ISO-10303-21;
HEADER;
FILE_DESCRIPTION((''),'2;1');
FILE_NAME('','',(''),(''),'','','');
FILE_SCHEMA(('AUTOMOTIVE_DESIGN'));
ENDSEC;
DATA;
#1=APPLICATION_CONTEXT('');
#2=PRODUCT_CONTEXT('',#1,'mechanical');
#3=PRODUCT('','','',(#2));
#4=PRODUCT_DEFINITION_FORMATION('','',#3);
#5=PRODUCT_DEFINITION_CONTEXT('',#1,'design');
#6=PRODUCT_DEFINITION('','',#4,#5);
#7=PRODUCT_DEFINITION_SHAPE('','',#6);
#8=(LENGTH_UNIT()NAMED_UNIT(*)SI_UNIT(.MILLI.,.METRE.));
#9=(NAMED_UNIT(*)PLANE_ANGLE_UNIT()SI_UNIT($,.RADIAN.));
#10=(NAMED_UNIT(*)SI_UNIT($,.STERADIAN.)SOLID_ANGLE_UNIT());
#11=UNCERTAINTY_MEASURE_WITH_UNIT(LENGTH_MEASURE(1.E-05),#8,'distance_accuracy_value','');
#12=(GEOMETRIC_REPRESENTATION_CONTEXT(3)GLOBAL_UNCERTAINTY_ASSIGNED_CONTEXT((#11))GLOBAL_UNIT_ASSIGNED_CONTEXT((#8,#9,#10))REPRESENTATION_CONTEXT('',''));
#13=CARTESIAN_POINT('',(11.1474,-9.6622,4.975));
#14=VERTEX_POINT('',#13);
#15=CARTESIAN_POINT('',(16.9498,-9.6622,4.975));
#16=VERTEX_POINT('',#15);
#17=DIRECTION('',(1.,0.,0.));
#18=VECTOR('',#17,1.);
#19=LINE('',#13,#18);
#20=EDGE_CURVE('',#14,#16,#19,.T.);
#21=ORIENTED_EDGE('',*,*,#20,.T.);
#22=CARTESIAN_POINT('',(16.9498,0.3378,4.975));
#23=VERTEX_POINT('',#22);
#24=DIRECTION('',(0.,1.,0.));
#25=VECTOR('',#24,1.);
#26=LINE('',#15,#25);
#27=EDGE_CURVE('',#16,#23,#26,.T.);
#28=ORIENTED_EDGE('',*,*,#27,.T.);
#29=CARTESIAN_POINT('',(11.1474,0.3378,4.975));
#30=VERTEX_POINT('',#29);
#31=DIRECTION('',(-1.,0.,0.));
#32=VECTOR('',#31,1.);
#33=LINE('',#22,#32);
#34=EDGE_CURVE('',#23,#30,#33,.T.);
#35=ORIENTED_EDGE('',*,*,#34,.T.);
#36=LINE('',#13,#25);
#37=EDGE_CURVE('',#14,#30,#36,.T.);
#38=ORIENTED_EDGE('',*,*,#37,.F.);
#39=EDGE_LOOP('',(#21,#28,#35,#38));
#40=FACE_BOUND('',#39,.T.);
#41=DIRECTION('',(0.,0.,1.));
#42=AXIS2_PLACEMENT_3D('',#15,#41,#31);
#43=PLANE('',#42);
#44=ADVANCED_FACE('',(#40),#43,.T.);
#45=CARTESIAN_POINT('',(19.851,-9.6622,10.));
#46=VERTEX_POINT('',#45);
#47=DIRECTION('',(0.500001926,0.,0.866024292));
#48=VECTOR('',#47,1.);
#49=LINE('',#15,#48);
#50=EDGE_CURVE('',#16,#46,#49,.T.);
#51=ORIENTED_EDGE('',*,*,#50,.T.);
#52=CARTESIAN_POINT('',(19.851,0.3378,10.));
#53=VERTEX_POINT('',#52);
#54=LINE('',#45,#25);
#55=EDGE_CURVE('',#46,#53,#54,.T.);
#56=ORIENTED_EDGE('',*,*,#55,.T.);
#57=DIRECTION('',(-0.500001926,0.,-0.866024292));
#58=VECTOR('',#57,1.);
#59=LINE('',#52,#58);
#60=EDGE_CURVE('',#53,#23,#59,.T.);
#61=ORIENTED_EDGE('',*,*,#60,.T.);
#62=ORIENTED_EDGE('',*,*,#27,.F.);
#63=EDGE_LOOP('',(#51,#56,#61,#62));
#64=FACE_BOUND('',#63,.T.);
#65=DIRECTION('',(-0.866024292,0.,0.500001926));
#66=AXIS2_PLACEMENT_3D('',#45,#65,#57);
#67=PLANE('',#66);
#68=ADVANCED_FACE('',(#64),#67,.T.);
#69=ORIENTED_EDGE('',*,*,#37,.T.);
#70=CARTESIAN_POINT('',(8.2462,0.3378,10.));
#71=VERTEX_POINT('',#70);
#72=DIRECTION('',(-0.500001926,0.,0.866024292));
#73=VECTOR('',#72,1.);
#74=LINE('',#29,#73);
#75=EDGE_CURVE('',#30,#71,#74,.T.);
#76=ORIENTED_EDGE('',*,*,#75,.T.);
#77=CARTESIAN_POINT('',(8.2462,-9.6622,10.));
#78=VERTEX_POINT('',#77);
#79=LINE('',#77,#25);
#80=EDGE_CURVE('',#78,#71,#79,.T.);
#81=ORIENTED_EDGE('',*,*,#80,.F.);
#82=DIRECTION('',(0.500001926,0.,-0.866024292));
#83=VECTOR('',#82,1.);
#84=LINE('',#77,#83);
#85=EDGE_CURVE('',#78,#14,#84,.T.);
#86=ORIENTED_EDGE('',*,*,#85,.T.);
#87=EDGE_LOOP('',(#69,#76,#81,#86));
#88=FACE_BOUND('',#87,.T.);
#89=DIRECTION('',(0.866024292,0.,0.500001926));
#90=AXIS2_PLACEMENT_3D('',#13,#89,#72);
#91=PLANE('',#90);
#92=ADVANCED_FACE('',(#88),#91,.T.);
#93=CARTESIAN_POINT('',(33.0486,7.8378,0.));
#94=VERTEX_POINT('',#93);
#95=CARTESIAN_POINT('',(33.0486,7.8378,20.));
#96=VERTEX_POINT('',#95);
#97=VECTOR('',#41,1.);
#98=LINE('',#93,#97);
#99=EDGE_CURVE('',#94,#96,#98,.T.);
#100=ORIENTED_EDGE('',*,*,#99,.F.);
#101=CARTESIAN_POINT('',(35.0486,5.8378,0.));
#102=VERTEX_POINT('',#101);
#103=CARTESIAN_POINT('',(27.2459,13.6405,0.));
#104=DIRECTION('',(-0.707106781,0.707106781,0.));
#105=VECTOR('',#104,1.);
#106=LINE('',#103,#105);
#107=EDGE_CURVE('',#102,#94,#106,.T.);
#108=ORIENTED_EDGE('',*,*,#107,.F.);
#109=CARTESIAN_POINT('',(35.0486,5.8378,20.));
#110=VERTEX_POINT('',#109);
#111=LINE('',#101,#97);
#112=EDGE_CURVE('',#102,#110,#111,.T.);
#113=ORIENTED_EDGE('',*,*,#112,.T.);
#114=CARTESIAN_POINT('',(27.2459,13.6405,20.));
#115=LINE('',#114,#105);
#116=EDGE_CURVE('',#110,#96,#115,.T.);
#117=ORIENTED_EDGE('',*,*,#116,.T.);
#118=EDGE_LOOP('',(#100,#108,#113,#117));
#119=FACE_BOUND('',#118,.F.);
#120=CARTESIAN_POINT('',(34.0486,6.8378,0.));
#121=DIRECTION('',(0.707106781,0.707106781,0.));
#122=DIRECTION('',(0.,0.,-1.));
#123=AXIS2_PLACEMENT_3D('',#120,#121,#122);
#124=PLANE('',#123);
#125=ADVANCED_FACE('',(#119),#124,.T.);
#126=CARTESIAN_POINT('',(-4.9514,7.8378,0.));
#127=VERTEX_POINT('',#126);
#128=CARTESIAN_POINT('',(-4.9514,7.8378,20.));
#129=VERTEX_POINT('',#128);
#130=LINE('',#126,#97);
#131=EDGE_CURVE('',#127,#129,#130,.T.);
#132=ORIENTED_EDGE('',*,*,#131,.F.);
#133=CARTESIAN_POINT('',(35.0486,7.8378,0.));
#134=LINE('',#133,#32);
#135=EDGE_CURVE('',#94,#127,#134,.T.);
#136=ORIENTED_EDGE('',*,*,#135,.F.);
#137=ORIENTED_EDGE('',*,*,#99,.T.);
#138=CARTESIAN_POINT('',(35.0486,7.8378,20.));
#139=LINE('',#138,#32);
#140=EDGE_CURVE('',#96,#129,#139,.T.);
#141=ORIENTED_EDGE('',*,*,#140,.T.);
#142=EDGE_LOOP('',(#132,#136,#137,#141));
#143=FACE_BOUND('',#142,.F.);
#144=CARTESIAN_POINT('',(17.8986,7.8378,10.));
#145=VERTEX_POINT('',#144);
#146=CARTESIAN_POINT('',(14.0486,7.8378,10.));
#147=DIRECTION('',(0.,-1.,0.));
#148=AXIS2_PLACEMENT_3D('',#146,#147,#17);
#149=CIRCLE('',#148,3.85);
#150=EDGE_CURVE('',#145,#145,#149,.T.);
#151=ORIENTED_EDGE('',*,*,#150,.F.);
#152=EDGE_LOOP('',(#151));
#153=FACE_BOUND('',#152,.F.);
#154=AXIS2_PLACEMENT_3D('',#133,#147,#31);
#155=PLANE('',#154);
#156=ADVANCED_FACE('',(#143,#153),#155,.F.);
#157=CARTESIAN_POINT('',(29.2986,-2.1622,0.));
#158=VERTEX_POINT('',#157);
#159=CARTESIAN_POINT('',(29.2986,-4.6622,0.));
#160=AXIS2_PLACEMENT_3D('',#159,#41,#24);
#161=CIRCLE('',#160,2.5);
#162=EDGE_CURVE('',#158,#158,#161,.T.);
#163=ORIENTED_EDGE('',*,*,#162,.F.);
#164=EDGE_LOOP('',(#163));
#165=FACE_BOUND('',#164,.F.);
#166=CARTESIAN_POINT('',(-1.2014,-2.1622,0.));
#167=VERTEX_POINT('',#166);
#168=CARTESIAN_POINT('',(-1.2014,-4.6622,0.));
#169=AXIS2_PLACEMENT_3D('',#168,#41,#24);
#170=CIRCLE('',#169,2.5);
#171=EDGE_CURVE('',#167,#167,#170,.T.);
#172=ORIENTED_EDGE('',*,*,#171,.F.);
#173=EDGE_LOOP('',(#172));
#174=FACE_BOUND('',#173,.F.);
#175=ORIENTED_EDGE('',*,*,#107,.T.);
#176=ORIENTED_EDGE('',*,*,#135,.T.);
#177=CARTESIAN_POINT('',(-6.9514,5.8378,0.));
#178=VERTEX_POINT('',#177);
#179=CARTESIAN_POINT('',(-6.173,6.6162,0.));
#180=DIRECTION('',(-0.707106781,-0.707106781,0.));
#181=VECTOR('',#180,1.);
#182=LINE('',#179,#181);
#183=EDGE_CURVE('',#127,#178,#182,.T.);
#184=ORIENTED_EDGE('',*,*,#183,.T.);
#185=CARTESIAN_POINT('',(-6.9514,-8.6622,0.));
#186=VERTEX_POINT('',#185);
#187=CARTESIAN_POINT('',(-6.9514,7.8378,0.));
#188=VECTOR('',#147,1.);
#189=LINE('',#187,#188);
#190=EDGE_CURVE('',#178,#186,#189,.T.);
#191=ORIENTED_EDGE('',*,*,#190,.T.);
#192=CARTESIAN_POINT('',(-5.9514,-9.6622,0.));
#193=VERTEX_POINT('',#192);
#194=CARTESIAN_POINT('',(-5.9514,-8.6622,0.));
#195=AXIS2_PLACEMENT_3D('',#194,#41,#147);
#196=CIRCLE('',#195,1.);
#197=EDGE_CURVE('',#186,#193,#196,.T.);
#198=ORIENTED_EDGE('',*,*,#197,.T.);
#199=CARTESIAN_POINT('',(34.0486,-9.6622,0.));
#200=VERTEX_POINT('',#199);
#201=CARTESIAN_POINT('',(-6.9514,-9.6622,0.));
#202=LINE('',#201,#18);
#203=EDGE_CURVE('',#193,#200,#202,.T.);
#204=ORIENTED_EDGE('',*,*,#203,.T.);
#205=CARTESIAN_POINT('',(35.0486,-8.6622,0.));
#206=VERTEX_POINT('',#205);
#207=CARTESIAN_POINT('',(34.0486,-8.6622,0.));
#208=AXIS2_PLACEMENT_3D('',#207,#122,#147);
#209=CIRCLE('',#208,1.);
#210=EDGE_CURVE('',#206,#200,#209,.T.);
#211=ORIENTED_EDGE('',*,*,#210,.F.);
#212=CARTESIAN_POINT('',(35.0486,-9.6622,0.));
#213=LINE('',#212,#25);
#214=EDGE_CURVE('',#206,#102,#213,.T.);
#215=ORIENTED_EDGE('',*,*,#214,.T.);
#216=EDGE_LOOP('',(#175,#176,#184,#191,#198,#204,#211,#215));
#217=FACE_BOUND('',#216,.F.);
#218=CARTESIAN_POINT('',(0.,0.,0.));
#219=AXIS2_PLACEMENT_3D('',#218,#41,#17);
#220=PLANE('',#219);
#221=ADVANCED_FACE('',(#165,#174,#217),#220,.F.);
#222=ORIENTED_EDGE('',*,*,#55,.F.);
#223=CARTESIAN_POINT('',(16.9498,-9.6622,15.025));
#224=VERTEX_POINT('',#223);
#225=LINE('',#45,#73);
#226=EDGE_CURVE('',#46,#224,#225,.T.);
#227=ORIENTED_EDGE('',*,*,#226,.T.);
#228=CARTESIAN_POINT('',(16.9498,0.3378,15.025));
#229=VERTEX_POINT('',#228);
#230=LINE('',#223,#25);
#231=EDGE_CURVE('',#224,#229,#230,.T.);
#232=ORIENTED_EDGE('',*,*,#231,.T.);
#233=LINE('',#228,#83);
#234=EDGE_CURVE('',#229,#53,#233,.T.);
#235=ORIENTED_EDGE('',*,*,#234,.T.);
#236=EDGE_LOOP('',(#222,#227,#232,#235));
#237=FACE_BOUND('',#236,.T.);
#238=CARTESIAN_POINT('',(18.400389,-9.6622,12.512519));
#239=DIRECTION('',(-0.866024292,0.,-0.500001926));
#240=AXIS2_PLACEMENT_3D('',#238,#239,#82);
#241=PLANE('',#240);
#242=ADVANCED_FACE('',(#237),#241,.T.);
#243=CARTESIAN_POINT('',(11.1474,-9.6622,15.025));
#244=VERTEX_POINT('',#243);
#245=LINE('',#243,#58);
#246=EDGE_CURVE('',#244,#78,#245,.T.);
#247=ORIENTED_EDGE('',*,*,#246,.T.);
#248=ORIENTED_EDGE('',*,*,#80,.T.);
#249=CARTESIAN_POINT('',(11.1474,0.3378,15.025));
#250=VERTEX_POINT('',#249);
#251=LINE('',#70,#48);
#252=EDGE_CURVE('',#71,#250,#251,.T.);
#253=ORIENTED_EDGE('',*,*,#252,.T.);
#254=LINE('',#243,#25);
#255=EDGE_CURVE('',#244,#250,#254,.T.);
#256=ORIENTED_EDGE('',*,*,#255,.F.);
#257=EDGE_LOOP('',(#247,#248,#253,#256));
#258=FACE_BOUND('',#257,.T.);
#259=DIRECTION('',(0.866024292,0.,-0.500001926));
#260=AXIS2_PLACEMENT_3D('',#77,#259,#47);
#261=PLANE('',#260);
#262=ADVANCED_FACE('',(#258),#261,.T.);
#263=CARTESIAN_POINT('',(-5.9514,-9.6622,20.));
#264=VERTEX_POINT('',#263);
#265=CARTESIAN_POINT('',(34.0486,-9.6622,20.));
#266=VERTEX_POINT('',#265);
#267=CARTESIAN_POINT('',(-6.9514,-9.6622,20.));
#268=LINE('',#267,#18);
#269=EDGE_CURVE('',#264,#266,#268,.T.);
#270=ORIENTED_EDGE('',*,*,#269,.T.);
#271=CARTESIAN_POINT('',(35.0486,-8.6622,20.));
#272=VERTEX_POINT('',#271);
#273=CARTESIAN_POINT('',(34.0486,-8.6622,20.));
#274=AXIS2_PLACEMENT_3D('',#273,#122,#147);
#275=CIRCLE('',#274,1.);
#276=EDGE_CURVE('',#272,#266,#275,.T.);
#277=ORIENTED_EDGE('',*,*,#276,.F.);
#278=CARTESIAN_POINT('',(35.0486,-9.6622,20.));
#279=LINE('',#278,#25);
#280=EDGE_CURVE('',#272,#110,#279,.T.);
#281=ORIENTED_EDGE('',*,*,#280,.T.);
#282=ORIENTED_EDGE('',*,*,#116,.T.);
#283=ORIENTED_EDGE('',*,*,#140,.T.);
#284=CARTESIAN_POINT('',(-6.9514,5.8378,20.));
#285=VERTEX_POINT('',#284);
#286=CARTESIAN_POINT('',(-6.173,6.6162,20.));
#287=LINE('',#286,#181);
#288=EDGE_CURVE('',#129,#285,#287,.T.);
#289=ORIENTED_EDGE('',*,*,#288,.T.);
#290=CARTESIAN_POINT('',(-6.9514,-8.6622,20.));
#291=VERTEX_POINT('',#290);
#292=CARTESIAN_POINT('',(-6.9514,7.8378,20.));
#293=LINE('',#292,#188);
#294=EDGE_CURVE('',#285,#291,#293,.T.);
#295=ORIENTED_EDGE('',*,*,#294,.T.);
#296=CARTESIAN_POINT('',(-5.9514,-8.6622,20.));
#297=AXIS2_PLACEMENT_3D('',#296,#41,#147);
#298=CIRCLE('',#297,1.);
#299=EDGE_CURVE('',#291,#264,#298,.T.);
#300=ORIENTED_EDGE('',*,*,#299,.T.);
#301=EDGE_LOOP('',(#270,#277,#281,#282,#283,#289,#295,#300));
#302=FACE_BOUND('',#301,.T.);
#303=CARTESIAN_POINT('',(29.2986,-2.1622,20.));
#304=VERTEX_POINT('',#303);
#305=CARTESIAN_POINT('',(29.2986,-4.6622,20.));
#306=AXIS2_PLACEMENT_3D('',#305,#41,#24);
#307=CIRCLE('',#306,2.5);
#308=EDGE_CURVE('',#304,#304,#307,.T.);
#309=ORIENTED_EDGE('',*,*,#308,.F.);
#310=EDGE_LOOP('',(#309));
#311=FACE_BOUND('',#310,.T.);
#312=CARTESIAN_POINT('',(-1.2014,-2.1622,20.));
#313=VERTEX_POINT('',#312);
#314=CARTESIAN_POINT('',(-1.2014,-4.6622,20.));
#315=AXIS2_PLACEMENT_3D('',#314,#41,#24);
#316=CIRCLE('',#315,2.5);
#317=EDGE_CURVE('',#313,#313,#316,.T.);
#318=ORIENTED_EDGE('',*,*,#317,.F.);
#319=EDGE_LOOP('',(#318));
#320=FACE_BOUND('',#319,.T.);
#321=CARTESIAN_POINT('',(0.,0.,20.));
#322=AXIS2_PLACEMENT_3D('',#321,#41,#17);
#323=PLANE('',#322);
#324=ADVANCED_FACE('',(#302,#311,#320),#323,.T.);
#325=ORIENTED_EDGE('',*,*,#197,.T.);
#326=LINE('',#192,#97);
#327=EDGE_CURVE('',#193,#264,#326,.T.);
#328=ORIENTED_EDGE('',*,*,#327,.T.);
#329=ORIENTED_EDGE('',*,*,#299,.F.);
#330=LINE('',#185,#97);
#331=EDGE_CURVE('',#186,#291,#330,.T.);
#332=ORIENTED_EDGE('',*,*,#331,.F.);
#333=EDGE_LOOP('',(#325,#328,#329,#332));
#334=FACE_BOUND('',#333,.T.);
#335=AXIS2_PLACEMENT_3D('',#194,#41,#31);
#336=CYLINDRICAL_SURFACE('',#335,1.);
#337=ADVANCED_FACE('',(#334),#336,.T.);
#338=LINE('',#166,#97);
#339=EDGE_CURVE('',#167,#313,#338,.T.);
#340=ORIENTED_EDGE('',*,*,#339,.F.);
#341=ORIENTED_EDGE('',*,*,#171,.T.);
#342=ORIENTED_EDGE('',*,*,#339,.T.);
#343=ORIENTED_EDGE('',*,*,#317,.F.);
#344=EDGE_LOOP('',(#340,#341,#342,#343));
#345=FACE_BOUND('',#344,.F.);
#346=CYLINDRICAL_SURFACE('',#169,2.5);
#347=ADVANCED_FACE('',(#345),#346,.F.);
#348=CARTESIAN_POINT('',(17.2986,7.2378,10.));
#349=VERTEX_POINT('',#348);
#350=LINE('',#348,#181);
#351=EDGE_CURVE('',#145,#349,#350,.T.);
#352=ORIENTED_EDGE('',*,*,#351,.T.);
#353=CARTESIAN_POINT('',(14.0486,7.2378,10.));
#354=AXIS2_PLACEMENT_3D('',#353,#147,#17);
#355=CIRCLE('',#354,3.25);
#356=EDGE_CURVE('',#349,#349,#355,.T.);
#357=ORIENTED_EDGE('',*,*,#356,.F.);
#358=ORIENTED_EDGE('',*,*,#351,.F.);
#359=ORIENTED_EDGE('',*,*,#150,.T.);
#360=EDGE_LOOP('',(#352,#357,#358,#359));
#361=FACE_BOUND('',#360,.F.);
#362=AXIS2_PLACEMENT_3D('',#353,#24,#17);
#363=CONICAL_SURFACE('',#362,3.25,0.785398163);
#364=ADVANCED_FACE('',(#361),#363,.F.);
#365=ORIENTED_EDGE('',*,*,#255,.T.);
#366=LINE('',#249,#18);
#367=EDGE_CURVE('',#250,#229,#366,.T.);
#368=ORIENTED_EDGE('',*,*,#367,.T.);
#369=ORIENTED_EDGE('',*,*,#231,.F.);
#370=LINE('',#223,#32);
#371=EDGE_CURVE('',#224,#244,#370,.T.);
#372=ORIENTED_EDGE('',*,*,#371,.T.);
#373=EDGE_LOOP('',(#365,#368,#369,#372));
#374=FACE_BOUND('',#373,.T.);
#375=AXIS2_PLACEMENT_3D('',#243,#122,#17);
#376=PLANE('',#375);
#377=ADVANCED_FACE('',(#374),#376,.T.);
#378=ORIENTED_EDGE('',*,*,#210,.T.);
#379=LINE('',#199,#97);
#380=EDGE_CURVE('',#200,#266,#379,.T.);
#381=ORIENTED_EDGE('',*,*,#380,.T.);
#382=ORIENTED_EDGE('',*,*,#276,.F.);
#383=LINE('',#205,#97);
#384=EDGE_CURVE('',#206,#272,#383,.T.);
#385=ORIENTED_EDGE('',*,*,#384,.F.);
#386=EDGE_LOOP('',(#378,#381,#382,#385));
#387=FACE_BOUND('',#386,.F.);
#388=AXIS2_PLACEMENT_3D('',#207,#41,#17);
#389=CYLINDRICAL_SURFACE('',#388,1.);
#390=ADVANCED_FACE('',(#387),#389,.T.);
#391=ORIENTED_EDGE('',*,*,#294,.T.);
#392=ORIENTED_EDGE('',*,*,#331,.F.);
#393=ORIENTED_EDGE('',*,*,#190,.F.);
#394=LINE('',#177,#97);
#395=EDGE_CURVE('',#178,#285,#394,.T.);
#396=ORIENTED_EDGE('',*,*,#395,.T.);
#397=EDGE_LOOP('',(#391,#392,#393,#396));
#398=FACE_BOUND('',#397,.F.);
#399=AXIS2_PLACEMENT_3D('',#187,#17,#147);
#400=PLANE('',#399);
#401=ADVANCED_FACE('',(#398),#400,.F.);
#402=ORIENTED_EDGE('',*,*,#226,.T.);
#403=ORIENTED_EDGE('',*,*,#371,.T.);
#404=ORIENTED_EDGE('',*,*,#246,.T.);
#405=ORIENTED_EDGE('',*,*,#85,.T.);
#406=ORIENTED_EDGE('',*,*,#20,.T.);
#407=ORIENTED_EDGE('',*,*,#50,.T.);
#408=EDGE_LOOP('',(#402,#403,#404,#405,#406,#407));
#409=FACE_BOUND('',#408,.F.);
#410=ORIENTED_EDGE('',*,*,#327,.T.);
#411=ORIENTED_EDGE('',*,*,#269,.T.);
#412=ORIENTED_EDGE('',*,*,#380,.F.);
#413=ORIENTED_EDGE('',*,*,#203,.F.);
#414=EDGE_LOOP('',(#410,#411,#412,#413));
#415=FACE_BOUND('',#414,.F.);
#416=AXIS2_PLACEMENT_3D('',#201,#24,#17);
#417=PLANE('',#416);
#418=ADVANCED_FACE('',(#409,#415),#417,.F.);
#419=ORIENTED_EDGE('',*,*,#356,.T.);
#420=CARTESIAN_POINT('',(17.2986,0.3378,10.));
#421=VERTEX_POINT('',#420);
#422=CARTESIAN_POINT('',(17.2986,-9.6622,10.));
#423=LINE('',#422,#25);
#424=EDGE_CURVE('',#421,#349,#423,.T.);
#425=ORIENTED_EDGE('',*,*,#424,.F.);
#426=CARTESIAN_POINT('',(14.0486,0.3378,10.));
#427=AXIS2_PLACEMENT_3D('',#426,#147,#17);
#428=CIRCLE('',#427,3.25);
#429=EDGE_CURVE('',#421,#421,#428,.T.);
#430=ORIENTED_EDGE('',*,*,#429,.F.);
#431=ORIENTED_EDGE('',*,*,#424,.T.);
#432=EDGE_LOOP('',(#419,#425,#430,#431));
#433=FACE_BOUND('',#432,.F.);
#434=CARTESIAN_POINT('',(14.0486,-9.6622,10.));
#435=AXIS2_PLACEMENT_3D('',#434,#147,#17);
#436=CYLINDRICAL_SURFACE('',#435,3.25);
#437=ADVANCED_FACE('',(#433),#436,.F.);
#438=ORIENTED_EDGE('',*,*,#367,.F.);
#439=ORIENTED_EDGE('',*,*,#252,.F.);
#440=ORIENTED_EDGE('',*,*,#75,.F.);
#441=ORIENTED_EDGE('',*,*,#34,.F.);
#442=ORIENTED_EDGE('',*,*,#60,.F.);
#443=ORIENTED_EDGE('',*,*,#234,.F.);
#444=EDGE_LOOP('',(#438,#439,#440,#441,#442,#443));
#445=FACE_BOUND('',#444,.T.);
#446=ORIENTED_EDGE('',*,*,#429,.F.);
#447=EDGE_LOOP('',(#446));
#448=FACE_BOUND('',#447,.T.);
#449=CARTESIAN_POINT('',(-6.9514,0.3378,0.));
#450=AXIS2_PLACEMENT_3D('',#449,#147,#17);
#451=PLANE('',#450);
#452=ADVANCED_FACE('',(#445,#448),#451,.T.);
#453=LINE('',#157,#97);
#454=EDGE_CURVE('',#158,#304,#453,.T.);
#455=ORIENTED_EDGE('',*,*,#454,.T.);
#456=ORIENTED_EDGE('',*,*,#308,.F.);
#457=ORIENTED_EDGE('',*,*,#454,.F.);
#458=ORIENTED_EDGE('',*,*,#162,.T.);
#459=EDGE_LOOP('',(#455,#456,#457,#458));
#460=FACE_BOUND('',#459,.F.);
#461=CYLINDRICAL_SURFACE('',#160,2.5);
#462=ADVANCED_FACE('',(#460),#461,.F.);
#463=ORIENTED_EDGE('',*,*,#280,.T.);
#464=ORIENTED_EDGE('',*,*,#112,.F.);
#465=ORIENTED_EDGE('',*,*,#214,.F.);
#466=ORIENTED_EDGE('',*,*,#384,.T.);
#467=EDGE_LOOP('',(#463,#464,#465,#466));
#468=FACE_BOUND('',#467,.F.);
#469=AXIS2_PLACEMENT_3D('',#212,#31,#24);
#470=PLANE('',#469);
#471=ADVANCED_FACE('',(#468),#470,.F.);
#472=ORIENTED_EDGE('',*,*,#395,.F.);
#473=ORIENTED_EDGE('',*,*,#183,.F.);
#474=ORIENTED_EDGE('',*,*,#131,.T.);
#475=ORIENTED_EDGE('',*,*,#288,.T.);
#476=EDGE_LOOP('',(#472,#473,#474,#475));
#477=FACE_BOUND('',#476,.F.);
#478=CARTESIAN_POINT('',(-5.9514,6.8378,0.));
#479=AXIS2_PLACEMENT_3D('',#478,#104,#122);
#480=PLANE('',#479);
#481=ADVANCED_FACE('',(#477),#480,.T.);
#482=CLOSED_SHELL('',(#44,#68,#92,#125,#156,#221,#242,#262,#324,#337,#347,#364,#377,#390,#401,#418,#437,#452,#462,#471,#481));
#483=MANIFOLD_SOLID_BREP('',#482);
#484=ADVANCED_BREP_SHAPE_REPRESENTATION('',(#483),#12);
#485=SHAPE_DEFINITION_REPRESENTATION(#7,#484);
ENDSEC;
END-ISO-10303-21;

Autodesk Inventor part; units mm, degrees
ref_plane "YZ Plane" through (0, 0, 0) normal (1, 0, 0) x (0, 1, 0)
ref_plane "XZ Plane" through (0, 0, 0) normal (0, 1, 0) x (-1, 0, 0)
ref_plane "XY Plane" through (0, 0, 0) normal (0, 0, 1) x (1, 0, 0)
sketch "Szkic1" plane through (0, 0, 0) normal (0, 0, 1) x (1, 0, 0)
  line L0 (-6.9514, -9.6622) -> (35.0486, -9.6622)
  line L1 (35.0486, -9.6622) -> (35.0486, 7.8378)
  line L2 (35.0486, 7.8378) -> (-6.9514, 7.8378)
  line L3 (-6.9514, 7.8378) -> (-6.9514, -9.6622)
  point P0 (0, 0)
  point P1 (-1.2014, -4.6622)
  point P2 (29.2986, -4.6622)
  dimension "d0" = 42
  dimension "d1" = 17.5
  dimension "d2" = 5.75
  dimension "d3" = 5
  dimension "d4" = 5
  dimension "d5" = 5.75
extrude "Wyciągnięcie proste1" add sketch "Szkic1" along normal blind 20
hole "Otwór1" at (-1.2014, -4.6622, 0) at (29.2986, -4.6622, 0) direction (0, 0, 1) diameter 5 end through all
sketch "Szkic2" plane through (-6.9514, -9.6622, 0) normal (0, -1, 0) x (1, 0, 0)
  line L0 (0, 0) -> (42, 0) projected
  line L1 (42, 0) -> (42, 20) projected
  line L2 (0, 20) -> (42, 20) projected
  line L3 (0, 0) -> (0, 20) projected
  circle A0 centre (21, 10) radius 5.025
  line L4 (23.9012, 15.025) -> (26.8024, 10)
  line L5 (26.8024, 10) -> (23.9012, 4.975)
  line L6 (23.9012, 4.975) -> (18.0988, 4.975)
  line L7 (18.0988, 4.975) -> (15.1976, 10)
  line L8 (15.1976, 10) -> (18.0988, 15.025)
  line L9 (18.0988, 15.025) -> (23.9012, 15.025)
  circle A1 centre (21, 10) radius 3.25
  point P0 (6.9514, 0)
  point P1 (21, 15.025)
  dimension "d19" = 10.05
  dimension "d15" = 42
  dimension "d16" = 20
  dimension "d17" = 10
  dimension "d18" = 21
  dimension "d20" = 6.5
extrude "Wyciągnięcie proste2" cut sketch "Szkic2" against normal through all contours A1
extrude "Wyciągnięcie proste3" cut sketch "Szkic2" against normal blind 10 contours A0 | A0 L4 L5 | A0 L9 L4 | L5 L6 A0 | A0 L8 L9 | L6 L7 A0 | A0 L7 L8
chamfer "Faza1" distance 0.6 angle 45 1 edges at (10.7986, 7.8378, 10)
fillet "Zaokrąglenie1" radius 1 2 edges at (-6.9514, -9.6622, 10) (35.0486, -9.6622, 10)
chamfer "Faza2" distance 2 angle 45 2 edges at (-6.9514, 7.8378, 10) (35.0486, 7.8378, 10)
equation "\"d4\" = d3"
equation "\"d5\" = d2"
equation "\"d17\" = 0.5 * d16"
equation "\"d18\" = 0.5 * d15"
properties part number "3DP_ABS_Z_Axis_Screw_Nut_Mount"
